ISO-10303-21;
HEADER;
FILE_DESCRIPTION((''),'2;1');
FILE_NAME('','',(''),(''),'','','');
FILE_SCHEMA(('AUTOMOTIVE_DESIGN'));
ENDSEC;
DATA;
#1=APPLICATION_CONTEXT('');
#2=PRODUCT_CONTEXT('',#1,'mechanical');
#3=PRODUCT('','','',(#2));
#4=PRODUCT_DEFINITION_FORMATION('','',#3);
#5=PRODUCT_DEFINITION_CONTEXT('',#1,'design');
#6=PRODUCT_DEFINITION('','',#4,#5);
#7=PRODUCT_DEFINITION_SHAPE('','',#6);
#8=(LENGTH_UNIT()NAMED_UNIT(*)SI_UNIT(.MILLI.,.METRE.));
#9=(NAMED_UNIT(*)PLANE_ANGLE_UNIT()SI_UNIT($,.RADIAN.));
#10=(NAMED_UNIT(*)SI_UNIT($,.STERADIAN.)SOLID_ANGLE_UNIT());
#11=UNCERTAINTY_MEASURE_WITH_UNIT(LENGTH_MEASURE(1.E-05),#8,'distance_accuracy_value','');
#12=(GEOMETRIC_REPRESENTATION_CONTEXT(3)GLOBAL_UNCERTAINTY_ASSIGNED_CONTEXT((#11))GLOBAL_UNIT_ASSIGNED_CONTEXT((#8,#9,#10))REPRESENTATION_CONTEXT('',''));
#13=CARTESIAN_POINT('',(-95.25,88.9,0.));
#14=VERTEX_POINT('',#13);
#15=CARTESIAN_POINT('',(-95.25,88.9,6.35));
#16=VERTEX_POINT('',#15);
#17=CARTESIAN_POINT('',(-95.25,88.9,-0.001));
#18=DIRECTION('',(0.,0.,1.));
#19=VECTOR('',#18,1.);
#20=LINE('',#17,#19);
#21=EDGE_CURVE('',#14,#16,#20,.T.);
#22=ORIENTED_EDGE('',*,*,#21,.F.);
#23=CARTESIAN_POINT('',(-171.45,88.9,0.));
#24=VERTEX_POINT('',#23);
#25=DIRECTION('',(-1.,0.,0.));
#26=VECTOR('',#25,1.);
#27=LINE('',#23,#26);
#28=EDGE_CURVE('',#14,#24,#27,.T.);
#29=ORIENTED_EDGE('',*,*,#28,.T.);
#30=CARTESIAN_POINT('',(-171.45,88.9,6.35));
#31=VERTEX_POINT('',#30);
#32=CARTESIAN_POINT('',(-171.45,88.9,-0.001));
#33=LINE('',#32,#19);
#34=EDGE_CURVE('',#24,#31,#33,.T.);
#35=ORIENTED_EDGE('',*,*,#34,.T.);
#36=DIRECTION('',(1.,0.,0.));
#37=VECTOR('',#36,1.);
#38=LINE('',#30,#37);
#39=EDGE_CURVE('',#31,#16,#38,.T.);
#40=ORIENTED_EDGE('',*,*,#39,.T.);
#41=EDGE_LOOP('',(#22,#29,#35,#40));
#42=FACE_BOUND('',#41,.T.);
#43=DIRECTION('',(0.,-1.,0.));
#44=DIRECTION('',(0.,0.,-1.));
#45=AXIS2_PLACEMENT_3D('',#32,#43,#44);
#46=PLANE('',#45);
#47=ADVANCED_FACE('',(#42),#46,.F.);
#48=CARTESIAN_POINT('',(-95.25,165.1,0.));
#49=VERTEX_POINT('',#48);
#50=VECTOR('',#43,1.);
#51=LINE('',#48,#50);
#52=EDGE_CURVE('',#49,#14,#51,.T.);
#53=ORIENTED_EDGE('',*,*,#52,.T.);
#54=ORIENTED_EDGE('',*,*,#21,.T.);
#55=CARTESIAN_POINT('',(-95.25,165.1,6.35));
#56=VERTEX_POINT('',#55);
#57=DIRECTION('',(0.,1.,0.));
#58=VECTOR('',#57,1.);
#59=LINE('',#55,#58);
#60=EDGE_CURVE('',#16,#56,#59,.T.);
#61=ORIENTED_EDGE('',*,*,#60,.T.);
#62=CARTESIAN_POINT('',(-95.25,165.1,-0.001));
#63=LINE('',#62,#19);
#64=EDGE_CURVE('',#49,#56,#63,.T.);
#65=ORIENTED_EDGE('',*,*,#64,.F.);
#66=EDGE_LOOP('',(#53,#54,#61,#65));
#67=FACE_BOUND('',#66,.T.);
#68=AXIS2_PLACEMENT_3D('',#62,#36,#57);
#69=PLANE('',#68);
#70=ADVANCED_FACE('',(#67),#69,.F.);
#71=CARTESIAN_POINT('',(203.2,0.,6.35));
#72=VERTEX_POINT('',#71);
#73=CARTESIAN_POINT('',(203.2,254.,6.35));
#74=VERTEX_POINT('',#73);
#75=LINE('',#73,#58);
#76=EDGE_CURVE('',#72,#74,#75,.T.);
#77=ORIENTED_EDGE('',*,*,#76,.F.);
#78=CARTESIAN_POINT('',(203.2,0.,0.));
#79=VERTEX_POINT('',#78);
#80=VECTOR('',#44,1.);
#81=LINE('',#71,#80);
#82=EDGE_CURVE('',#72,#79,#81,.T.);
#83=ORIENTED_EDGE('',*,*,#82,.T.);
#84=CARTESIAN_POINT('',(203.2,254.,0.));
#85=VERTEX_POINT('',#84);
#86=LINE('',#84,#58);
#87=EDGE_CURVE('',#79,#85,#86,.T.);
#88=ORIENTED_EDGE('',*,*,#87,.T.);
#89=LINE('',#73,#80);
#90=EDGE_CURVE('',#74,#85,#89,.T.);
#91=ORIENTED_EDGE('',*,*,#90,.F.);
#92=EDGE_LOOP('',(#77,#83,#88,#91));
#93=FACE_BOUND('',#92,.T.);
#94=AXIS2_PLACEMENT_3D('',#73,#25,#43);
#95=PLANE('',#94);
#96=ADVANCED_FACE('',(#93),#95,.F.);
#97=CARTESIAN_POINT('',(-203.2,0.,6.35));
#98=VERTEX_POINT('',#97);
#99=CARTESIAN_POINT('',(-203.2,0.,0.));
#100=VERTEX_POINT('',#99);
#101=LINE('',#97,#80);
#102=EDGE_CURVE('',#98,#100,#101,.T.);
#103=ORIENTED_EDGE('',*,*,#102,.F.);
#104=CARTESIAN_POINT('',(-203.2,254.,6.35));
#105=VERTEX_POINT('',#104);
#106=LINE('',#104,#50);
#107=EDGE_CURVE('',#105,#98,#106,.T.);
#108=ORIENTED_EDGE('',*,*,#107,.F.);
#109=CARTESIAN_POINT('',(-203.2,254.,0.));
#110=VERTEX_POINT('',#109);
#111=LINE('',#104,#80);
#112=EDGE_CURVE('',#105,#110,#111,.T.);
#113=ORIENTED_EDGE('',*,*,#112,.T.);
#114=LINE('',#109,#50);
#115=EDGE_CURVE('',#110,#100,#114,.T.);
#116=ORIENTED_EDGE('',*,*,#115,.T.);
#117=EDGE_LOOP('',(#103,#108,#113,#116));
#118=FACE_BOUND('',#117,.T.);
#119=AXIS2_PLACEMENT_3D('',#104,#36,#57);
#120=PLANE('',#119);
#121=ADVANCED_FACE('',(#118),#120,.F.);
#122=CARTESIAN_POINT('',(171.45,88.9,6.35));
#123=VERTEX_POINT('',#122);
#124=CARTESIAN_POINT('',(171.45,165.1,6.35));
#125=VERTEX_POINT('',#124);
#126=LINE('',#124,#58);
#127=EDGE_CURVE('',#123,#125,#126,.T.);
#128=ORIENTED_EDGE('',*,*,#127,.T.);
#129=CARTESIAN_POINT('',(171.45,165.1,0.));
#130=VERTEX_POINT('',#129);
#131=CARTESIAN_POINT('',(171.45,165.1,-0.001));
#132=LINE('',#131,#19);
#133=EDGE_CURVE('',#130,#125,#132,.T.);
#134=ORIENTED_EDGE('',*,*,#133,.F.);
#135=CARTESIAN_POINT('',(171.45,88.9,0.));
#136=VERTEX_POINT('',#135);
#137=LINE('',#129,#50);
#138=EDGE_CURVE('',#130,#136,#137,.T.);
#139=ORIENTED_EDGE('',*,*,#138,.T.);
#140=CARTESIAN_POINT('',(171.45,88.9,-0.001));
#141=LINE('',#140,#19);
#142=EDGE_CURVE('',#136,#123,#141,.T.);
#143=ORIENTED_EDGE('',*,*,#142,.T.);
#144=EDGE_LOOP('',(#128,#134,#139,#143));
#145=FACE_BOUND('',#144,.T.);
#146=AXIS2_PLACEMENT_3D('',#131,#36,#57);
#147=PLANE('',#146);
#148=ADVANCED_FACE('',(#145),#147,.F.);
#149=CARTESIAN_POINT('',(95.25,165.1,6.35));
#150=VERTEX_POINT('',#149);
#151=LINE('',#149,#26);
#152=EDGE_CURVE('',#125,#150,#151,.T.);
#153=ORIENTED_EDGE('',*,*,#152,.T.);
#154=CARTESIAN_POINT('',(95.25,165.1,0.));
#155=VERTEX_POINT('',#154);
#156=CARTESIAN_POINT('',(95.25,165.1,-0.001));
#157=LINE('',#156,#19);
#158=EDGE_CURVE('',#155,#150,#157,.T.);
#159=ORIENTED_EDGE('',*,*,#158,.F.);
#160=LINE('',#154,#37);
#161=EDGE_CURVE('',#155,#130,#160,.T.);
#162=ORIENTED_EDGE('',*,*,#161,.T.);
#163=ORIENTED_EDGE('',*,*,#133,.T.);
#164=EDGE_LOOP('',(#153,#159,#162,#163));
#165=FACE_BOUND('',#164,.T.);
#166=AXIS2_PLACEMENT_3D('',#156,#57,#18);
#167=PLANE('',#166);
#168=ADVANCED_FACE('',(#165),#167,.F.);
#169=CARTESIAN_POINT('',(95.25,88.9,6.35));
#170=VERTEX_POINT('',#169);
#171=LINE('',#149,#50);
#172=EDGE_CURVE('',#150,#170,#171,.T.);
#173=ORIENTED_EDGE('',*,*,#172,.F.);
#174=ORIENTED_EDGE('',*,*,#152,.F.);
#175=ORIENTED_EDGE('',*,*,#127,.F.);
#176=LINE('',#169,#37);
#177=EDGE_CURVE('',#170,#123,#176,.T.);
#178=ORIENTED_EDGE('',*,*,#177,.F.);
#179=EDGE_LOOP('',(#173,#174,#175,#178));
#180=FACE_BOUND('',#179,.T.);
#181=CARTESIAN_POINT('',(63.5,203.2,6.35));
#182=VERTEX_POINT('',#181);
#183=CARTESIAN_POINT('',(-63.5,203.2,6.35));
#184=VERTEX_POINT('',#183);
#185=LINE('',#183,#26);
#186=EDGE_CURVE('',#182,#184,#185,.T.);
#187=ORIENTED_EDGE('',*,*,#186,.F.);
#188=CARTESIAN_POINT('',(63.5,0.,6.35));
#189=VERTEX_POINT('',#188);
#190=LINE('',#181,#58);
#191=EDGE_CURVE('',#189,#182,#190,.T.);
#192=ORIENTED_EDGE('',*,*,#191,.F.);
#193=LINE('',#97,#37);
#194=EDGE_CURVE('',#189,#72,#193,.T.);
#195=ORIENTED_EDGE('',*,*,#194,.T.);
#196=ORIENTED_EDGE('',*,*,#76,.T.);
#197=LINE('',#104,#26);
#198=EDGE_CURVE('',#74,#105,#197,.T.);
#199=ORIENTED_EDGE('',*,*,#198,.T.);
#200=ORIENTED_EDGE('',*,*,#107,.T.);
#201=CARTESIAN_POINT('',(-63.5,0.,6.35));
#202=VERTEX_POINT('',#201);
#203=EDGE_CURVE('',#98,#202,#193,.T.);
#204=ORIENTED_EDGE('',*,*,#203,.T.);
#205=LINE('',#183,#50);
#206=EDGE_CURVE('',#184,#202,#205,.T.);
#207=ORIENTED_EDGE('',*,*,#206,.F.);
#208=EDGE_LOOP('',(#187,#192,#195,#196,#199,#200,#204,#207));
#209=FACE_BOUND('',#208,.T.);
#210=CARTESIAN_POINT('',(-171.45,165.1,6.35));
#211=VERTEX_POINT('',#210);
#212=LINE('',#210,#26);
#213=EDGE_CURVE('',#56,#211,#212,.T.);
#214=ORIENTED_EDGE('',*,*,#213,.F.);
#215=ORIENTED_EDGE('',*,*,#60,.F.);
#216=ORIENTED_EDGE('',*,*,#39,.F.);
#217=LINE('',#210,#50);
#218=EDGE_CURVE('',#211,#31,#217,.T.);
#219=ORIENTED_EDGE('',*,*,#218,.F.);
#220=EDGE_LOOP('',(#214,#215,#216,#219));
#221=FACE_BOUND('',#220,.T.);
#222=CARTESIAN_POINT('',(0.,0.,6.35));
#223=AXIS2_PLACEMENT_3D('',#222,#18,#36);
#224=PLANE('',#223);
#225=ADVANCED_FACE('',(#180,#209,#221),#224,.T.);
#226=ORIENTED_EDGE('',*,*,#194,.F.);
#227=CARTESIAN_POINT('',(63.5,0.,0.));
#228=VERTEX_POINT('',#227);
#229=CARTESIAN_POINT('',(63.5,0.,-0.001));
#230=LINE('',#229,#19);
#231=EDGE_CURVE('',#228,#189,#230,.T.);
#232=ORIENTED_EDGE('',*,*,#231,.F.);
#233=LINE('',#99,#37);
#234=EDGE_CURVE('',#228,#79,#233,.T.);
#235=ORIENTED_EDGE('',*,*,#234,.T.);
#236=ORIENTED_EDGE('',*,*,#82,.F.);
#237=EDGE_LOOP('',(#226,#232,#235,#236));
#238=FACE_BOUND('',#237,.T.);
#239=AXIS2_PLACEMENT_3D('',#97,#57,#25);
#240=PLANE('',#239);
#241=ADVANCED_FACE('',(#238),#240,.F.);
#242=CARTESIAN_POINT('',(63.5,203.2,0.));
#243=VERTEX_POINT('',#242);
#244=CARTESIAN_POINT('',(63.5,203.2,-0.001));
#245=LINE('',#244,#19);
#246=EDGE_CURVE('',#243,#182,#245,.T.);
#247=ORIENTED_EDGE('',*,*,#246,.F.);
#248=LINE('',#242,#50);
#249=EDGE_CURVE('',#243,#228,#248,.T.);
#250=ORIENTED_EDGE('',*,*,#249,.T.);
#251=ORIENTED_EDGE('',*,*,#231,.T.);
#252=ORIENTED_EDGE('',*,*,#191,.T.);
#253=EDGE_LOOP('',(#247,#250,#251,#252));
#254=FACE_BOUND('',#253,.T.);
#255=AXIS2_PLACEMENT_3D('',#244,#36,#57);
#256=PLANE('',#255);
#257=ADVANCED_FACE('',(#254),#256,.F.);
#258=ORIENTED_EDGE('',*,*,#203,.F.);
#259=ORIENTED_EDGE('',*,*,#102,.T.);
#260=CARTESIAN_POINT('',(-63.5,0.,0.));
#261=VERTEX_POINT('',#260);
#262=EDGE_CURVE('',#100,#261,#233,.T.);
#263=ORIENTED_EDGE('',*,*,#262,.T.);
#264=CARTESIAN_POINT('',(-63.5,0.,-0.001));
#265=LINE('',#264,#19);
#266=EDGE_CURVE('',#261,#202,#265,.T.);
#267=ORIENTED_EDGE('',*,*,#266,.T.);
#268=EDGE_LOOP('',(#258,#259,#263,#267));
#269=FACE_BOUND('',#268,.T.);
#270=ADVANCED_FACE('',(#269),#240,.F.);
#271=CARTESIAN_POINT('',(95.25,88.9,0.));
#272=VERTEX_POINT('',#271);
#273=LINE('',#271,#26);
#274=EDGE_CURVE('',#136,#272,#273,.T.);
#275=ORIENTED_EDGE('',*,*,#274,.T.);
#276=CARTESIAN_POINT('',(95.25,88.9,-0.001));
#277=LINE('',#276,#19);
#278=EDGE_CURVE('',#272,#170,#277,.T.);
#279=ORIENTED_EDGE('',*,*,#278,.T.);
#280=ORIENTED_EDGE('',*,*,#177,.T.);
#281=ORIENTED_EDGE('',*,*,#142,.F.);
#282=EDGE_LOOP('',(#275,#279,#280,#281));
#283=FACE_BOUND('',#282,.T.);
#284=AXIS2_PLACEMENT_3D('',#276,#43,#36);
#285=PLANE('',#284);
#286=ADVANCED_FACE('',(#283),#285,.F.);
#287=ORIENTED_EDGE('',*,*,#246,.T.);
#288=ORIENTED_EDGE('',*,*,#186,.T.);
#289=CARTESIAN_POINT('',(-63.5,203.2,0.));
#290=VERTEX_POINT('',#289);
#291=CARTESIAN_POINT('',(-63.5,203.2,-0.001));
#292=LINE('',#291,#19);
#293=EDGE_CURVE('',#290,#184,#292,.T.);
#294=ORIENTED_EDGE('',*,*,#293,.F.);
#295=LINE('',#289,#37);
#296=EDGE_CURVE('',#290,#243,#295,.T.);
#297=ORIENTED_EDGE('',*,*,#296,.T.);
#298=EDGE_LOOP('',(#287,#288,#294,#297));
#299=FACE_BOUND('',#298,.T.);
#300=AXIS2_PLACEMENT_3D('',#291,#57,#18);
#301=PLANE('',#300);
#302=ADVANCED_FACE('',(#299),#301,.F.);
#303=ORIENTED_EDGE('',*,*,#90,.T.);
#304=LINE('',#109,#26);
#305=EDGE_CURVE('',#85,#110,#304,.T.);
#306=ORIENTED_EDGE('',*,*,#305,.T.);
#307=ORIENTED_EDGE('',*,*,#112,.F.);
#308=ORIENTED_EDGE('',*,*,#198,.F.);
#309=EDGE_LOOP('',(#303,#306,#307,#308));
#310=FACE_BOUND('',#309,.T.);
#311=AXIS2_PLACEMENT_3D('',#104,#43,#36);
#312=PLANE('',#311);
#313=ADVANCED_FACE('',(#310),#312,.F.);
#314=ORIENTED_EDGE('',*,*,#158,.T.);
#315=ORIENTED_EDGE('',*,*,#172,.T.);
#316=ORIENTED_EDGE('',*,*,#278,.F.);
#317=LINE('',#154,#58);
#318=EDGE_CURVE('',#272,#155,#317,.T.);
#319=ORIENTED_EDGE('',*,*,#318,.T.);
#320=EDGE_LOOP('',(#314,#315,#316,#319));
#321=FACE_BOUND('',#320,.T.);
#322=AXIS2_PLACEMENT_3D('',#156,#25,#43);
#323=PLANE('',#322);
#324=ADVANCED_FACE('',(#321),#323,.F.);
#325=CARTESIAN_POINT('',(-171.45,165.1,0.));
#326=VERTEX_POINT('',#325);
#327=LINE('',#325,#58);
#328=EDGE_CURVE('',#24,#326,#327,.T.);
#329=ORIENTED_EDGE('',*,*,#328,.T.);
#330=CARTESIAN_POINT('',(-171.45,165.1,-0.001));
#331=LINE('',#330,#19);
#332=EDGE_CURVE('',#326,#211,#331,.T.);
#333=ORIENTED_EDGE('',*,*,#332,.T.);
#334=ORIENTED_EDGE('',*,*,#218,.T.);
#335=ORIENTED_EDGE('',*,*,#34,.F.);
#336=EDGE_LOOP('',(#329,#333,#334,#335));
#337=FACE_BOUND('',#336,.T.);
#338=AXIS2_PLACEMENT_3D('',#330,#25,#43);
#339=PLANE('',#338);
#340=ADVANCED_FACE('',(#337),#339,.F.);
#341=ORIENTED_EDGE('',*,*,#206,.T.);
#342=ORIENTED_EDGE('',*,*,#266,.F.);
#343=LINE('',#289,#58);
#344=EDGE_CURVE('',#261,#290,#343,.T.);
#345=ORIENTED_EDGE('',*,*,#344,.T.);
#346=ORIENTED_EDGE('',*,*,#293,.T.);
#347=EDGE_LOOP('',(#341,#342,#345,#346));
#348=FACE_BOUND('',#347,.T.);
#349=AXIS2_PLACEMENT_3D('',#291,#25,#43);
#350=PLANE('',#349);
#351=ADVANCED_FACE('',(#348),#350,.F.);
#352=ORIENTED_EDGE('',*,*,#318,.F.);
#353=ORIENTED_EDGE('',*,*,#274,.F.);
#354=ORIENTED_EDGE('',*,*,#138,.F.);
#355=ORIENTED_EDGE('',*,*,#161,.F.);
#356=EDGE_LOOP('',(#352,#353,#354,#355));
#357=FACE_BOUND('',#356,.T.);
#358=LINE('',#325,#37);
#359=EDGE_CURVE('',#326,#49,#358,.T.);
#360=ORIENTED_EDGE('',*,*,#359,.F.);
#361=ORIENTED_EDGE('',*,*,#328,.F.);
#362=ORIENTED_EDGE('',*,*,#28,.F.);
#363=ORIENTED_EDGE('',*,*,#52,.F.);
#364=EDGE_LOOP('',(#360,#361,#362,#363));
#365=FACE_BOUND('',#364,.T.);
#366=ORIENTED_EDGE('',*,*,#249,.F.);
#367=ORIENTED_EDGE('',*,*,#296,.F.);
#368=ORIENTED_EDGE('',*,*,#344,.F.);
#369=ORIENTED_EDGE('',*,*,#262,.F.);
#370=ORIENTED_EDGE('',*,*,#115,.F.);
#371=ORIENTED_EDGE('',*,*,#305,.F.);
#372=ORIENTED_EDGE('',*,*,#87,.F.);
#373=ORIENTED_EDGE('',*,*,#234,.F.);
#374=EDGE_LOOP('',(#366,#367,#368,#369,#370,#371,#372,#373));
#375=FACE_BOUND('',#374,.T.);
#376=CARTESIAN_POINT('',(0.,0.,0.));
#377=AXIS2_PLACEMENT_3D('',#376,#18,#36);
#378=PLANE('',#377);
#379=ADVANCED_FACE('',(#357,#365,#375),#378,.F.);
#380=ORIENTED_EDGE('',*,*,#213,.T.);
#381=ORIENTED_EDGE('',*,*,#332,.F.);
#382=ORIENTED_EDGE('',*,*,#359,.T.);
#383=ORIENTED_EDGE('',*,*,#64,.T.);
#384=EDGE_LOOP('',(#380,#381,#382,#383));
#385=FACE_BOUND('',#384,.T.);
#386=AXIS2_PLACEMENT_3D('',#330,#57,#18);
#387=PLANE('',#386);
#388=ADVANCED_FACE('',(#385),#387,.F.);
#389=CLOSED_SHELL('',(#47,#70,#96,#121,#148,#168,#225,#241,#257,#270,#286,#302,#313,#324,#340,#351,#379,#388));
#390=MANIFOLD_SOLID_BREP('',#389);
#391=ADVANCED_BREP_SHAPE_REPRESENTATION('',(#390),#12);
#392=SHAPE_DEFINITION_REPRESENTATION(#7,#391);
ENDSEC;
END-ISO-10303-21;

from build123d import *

# Parameters (mm, degrees)
SKETCH1_W           = 406.4
SKETCH1_H           = 254
BOSS_EXTRUDE1_DEPTH = 6.35
CUT_EXTRUDE1_REACH  = 8.35
SKETCH2_W           = 127
SKETCH2_H           = 203.2
CUT_EXTRUDE3_REACH  = 8.35
SKETCH3_W           = 76.2
SKETCH3_H           = 76.2
CUT_EXTRUDE4_REACH  = 8.35
SKETCH4_W           = 76.2
SKETCH4_H           = 76.2


with BuildPart() as part:
    # Sketch1 → Boss-Extrude1 (new body)
    with BuildSketch(Plane.XY):
        with Locations((0, 127)):
            Rectangle(SKETCH1_W, SKETCH1_H)
    extrude(amount=BOSS_EXTRUDE1_DEPTH)

    # Sketch2 → Cut-Extrude1 (cut, up to next)
    with BuildSketch(Plane.XY.offset(6.35), mode=Mode.PRIVATE) as cut_extrude1_sk1:
        with Locations((0, 101.6)):
            Rectangle(SKETCH2_W, SKETCH2_H)
    cut_extrude1_tool1 = extrude(cut_extrude1_sk1.sketch, amount=-CUT_EXTRUDE1_REACH, mode=Mode.PRIVATE) & part.part
    add(cut_extrude1_tool1.solids().sort_by_distance((0, 101.6, 6.35))[0], mode=Mode.SUBTRACT)

    # Sketch3 → Cut-Extrude3 (cut, up to next)
    with BuildSketch(Plane.XY.offset(6.35), mode=Mode.PRIVATE) as cut_extrude3_sk1:
        with Locations((-133.35, 127)):
            Rectangle(SKETCH3_W, SKETCH3_H)
    cut_extrude3_tool1 = extrude(cut_extrude3_sk1.sketch, amount=-CUT_EXTRUDE3_REACH, mode=Mode.PRIVATE) & part.part
    add(cut_extrude3_tool1.solids().sort_by_distance((-133.35, 127, 6.35))[0], mode=Mode.SUBTRACT)

    # Sketch4 → Cut-Extrude4 (cut, up to next)
    with BuildSketch(Plane.XY.offset(6.35), mode=Mode.PRIVATE) as cut_extrude4_sk1:
        with Locations((133.35, 127)):
            Rectangle(SKETCH4_W, SKETCH4_H)
    cut_extrude4_tool1 = extrude(cut_extrude4_sk1.sketch, amount=-CUT_EXTRUDE4_REACH, mode=Mode.PRIVATE) & part.part
    add(cut_extrude4_tool1.solids().sort_by_distance((133.35, 127, 6.35))[0], mode=Mode.SUBTRACT)


solid = part.part
